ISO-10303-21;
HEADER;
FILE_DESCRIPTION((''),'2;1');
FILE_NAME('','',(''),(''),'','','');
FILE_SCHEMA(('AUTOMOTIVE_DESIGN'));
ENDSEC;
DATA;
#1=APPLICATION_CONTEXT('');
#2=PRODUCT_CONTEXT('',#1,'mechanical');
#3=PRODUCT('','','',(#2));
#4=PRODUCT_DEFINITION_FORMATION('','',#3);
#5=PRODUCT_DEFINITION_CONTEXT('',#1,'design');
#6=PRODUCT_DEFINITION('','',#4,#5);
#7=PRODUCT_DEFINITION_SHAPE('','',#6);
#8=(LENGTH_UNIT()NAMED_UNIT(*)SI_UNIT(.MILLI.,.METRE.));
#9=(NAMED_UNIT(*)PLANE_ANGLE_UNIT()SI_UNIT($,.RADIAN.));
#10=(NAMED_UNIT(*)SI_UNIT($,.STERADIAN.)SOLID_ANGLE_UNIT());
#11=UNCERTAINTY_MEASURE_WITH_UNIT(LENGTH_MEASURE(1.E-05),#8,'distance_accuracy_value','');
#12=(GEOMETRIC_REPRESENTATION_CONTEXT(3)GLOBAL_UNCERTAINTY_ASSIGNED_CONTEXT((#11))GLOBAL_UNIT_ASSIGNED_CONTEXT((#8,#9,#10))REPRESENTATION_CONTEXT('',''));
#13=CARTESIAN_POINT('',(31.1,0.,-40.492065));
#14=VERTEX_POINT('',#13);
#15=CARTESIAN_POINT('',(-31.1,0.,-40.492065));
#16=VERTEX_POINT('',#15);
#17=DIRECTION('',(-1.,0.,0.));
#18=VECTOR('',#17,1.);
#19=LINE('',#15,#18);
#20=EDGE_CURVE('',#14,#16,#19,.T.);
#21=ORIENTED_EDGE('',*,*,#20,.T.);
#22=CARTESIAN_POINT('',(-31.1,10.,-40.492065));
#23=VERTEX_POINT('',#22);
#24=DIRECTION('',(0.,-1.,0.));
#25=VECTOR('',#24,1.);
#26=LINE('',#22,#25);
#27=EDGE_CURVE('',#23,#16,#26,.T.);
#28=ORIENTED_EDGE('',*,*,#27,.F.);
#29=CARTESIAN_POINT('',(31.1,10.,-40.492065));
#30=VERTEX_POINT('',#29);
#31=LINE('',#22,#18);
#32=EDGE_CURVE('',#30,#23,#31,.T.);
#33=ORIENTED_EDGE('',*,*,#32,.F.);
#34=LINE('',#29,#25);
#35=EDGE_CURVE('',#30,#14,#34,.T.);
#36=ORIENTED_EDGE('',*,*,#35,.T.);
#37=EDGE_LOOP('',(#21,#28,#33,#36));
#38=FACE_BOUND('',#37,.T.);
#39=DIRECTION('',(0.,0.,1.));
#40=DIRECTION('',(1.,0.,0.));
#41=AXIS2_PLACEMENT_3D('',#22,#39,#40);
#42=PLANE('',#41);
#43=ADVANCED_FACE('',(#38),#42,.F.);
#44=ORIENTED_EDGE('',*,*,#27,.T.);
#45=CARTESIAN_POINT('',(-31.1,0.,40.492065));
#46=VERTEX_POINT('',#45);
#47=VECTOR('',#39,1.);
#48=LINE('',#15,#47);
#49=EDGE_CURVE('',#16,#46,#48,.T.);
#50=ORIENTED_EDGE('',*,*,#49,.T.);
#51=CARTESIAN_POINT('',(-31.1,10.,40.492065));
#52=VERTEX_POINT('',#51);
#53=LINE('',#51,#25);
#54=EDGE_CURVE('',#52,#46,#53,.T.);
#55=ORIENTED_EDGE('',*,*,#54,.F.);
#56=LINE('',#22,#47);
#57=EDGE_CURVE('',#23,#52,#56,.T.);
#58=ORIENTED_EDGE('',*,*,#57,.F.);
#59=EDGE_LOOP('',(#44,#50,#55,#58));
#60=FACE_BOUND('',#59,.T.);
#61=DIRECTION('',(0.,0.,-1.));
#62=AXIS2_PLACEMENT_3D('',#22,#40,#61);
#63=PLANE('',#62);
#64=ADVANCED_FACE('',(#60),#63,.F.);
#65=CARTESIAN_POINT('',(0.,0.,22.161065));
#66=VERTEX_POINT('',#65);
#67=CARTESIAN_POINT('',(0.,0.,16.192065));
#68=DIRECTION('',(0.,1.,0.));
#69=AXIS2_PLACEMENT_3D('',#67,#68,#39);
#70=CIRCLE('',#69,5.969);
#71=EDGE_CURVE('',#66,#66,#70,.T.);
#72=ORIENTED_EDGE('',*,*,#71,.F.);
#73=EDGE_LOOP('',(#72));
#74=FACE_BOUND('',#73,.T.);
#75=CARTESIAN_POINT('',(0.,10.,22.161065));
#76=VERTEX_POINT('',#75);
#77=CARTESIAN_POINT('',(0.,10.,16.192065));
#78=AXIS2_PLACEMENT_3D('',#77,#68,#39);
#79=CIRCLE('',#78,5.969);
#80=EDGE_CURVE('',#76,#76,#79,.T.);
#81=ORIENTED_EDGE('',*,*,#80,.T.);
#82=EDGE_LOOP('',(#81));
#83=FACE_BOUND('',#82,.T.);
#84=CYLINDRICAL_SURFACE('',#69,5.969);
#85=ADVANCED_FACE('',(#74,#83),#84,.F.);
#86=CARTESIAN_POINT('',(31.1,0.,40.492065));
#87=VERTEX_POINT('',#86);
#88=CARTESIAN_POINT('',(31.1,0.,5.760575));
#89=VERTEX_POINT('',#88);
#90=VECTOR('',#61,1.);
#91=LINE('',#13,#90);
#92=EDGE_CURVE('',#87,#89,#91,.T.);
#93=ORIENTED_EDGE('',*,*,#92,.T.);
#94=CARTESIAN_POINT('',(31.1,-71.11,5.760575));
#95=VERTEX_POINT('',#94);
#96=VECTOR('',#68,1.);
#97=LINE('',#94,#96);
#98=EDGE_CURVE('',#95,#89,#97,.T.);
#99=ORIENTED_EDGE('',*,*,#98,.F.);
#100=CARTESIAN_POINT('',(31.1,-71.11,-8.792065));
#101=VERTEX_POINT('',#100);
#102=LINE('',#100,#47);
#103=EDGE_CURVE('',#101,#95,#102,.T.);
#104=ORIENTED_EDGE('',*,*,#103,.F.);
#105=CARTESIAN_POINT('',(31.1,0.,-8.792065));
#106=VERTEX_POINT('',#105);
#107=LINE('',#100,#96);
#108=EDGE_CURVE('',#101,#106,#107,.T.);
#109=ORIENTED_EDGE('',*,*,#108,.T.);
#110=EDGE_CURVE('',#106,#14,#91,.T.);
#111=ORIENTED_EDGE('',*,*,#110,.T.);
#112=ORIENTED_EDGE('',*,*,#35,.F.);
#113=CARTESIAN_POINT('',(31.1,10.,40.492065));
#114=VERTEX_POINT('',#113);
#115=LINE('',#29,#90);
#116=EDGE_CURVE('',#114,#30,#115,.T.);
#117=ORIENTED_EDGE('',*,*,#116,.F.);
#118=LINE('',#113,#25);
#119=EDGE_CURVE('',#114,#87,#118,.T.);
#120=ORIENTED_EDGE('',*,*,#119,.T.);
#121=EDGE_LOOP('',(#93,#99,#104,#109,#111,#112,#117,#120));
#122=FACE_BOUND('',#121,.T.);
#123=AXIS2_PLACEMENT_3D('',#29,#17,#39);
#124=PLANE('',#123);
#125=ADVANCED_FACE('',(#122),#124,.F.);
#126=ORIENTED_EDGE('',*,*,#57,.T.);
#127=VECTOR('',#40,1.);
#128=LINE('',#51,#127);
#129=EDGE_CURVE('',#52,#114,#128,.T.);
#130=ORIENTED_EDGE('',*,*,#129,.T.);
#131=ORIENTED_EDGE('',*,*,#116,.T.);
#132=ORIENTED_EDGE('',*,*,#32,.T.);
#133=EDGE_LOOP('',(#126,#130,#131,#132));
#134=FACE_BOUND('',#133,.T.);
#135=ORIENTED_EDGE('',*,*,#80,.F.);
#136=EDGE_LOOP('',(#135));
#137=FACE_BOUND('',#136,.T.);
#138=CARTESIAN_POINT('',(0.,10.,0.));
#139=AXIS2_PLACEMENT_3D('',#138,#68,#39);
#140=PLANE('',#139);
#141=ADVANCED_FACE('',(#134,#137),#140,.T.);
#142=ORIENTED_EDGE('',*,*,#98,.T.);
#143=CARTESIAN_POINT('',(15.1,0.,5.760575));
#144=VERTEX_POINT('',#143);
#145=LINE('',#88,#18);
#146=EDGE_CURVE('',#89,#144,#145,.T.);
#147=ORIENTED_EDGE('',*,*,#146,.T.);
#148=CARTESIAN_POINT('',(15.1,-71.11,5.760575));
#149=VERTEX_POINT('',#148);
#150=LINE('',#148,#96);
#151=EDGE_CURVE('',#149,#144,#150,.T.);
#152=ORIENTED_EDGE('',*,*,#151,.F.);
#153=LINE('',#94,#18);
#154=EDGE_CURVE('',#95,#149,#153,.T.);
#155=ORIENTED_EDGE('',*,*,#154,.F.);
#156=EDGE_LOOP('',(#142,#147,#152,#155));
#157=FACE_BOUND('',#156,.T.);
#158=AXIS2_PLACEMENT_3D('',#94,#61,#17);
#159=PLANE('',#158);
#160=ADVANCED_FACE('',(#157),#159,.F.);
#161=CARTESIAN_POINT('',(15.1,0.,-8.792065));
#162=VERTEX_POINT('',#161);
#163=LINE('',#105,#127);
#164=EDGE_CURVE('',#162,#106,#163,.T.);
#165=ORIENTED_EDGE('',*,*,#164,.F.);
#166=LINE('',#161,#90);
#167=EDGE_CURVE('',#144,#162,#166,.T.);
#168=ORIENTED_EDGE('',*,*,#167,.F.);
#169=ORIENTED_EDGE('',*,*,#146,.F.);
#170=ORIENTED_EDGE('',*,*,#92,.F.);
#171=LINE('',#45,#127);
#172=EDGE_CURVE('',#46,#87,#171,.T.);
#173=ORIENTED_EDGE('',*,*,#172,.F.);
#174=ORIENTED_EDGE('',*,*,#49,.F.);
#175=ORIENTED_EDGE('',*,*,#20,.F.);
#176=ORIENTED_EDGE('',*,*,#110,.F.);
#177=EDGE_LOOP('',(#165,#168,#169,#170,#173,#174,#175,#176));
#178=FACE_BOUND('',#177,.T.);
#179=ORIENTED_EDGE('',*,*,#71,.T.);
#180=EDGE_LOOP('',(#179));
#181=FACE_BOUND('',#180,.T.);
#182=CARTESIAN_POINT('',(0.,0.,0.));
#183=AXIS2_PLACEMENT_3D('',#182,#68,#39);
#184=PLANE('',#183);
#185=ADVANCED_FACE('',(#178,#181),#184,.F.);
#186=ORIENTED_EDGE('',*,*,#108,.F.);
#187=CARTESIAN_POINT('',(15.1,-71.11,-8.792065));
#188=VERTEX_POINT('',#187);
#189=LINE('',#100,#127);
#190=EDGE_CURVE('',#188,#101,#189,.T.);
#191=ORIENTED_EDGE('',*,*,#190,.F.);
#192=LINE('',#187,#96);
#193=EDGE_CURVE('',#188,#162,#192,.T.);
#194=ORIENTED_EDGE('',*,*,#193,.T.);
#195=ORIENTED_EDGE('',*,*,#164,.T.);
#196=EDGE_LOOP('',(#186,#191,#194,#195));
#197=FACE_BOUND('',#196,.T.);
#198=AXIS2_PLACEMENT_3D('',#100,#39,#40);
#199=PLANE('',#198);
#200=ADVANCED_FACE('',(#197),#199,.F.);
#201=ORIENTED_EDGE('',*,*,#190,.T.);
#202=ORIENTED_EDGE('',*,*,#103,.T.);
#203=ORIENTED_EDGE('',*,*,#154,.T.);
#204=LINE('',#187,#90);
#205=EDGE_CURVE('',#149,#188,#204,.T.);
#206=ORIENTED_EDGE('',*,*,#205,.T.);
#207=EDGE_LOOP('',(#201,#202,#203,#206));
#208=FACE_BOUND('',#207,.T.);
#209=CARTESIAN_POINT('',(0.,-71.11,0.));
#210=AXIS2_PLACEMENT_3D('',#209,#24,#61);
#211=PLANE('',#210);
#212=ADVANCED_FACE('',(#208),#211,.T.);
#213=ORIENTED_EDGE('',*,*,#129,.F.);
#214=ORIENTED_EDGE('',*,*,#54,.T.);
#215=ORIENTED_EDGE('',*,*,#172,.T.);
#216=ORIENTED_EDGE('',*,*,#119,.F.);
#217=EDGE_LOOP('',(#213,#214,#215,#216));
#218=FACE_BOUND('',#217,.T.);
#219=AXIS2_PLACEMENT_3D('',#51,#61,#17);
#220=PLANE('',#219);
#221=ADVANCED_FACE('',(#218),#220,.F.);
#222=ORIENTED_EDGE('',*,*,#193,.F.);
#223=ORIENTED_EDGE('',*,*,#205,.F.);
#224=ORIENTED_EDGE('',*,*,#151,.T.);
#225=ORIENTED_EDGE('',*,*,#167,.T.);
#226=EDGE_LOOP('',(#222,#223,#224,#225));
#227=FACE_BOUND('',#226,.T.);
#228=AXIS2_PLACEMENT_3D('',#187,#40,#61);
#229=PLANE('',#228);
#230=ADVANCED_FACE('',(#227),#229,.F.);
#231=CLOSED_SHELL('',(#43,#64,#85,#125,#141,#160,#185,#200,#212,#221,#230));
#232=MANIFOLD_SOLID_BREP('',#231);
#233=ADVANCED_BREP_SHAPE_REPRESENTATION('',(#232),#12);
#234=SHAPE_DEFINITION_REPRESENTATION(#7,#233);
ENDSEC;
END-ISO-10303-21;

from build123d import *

# Parameters (mm, degrees)
SKETCH1_W           = 62.2
SKETCH1_H           = 80.98413
BOSS_EXTRUDE1_DEPTH = 10
SKETCH2_R           = 5.969
CUT_EXTRUDE1_DEPTH  = 10
SKETCH3_W           = 16
SKETCH3_H           = 14.55264
BOSS_EXTRUDE2_DEPTH = 71.11


with BuildPart() as part:
    # Sketch1 → Boss-Extrude1 (new body)
    with BuildSketch(Plane(origin=(0, 0, 0), x_dir=(1, 0, 0), z_dir=(0, 1, 0))):
        Rectangle(SKETCH1_W, SKETCH1_H)
    extrude(amount=BOSS_EXTRUDE1_DEPTH)

    # Sketch2 → Cut-Extrude1 (cut)
    with BuildSketch(Plane(origin=(0, 10, 0), x_dir=(1, 0, 0), z_dir=(0, 1, 0))):
        with Locations(Location((0, -16.192065, 0), (0, 0, 270))):
            Circle(SKETCH2_R)
    extrude(amount=-CUT_EXTRUDE1_DEPTH, mode=Mode.SUBTRACT)

    # Sketch3 → Boss-Extrude2 (add)
    with BuildSketch(Plane.XZ):
        with Locations((23.1, -1.515745)):
            Rectangle(SKETCH3_W, SKETCH3_H)
    extrude(amount=BOSS_EXTRUDE2_DEPTH)


solid = part.part
